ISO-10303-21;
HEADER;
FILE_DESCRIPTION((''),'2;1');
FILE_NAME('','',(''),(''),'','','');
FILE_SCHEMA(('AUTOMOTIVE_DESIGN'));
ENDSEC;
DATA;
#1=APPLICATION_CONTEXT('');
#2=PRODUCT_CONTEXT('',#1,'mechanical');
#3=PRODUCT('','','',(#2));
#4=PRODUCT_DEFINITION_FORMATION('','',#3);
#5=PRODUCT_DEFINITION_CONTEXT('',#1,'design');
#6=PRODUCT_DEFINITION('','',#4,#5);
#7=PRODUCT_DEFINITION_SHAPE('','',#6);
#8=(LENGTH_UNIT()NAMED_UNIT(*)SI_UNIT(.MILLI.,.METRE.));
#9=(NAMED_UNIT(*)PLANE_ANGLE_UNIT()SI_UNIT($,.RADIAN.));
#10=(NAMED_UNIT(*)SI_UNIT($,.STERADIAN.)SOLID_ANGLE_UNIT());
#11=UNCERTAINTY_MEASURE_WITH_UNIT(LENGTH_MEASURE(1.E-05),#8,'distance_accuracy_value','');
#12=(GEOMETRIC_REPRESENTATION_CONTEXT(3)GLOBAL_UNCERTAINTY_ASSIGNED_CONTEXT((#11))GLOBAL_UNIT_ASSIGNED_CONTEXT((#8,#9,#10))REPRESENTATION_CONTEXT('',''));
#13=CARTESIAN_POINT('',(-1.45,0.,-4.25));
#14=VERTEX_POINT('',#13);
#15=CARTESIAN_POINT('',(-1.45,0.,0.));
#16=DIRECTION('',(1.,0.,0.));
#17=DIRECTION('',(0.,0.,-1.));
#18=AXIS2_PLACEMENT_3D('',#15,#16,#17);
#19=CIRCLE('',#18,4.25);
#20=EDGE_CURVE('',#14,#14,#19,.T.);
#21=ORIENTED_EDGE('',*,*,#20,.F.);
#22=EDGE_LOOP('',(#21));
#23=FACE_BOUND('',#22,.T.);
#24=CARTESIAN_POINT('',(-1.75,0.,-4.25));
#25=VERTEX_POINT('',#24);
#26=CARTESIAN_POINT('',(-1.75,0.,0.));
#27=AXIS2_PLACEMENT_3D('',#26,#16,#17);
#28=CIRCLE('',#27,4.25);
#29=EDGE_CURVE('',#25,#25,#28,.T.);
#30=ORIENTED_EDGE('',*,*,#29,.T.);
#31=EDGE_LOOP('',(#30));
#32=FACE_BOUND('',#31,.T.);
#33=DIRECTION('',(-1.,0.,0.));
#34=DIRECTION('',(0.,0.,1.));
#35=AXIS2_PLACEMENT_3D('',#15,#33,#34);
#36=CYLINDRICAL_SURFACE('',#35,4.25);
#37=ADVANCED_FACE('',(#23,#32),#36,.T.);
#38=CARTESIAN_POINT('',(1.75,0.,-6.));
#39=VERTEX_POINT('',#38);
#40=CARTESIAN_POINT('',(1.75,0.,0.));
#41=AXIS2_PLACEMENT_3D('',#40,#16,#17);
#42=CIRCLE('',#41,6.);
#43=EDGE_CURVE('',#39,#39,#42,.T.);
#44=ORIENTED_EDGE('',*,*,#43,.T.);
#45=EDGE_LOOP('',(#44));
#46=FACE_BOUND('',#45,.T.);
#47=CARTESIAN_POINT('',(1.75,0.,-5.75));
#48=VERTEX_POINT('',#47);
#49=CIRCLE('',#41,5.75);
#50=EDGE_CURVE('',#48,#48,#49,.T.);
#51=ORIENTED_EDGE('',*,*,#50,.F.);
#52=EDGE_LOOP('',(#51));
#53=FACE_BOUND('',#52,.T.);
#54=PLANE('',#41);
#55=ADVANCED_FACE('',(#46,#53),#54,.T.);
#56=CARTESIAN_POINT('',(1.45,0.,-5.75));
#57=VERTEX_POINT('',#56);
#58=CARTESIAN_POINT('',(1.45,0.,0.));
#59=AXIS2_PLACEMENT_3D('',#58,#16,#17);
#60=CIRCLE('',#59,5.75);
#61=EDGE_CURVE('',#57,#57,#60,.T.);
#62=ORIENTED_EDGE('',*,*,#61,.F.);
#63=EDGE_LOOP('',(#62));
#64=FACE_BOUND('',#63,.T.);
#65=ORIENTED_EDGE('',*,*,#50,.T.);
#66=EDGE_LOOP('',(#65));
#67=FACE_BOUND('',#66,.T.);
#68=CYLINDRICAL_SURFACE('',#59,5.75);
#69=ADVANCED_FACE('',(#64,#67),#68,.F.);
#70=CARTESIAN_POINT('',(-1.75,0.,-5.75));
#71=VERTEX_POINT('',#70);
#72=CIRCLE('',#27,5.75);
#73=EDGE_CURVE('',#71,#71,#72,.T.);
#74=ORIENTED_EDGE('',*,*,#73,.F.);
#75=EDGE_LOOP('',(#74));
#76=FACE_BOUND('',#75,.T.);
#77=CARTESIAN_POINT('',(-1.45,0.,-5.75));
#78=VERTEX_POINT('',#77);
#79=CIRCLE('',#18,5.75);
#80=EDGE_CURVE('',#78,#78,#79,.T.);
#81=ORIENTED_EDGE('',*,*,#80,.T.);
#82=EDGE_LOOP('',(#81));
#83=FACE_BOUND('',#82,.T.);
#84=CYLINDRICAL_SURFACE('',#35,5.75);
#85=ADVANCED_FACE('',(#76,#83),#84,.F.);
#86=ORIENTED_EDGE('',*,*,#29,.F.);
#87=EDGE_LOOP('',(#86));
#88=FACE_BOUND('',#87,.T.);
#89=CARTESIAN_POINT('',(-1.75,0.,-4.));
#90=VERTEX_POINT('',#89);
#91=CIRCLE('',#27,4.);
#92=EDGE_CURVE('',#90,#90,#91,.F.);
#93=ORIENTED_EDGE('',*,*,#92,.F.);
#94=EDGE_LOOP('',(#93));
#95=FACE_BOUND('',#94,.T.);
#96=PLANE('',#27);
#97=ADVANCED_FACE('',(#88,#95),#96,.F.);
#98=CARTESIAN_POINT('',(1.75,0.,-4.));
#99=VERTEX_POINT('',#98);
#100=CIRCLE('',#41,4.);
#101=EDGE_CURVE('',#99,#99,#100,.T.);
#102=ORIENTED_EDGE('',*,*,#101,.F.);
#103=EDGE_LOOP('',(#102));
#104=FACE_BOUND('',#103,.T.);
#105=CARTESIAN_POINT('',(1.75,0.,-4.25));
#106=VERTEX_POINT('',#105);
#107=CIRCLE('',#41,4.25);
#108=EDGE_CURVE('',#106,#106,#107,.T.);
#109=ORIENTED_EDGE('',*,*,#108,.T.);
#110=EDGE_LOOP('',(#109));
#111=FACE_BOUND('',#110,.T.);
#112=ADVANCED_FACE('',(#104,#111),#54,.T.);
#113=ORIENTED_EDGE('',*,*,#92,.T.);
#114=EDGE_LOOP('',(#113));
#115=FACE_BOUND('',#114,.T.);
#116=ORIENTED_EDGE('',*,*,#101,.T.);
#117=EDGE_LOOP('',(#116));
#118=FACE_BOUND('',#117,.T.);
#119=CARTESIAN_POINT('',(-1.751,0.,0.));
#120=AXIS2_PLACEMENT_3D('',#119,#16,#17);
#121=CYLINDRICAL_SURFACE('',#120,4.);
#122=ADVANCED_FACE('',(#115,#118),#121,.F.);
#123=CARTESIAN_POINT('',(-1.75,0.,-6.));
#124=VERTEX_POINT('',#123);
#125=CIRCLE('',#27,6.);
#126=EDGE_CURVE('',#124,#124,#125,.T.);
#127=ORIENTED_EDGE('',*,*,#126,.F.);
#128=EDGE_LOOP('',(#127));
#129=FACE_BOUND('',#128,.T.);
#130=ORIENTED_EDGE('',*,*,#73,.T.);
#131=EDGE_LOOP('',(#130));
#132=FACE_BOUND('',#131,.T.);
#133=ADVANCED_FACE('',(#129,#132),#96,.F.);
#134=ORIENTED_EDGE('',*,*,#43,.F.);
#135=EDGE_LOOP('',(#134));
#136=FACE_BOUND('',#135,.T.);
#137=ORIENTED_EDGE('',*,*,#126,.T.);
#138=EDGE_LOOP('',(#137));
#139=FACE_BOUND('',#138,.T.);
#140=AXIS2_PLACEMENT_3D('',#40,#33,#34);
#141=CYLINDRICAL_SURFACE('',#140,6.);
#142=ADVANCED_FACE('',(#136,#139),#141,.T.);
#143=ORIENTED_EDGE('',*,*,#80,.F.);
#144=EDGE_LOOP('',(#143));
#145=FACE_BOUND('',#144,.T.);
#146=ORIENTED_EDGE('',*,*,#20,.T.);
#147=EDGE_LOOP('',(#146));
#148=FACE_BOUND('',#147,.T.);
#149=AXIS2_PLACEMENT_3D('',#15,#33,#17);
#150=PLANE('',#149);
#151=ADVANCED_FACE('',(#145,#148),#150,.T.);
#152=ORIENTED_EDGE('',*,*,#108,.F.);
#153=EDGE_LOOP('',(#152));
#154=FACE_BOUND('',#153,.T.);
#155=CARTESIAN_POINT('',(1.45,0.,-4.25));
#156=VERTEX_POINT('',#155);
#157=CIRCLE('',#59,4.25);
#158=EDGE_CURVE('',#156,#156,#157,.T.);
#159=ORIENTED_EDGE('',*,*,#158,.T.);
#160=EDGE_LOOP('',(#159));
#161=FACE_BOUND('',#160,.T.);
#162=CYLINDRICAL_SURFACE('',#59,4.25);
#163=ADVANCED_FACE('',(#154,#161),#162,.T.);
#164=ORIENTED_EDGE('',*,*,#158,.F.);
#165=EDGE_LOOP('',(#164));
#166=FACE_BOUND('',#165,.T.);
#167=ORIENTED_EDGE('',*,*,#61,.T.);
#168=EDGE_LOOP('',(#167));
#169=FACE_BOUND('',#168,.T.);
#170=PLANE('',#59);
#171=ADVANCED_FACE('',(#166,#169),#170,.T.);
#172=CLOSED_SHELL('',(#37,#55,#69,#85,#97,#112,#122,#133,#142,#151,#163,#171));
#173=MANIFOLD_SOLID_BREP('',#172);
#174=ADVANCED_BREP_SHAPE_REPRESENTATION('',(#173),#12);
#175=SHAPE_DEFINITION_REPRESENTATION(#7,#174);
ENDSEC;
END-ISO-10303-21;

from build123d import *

# Parameters (mm, degrees)
SKETCH1_R           = 6
BOSS_EXTRUDE1_DEPTH = 1.75
CUT_EXTRUDE1_REACH  = 11.179
SKETCH2_R           = 4
SKETCH3_R           = 5.75
SKETCH3_R_2         = 4.25
CUT_EXTRUDE2_DEPTH  = 0.3


with BuildPart() as part:
    # Sketch1 → Boss-Extrude1 (new, symmetric)
    with BuildSketch(Plane(origin=(0, 0, 0), x_dir=(0, 0, -1), z_dir=(1, 0, 0))):
        Circle(SKETCH1_R)
    extrude(amount=BOSS_EXTRUDE1_DEPTH, both=True)

    # Sketch2 → Cut-Extrude1 (cut, up to next)
    with BuildSketch(Plane(origin=(1.75, 0, 0), x_dir=(0, 0, -1), z_dir=(1, 0, 0)), mode=Mode.PRIVATE) as cut_extrude1_sk1:
        Circle(SKETCH2_R)
    cut_extrude1_tool1 = extrude(cut_extrude1_sk1.sketch, amount=-CUT_EXTRUDE1_REACH, mode=Mode.PRIVATE) & part.part
    add(cut_extrude1_tool1.solids().sort_by_distance((1.75, 0, 0))[0], mode=Mode.SUBTRACT)

    # Sketch3 → Cut-Extrude2 (cut)
    with BuildSketch(Plane(origin=(1.75, 0, 0), x_dir=(0, 0, -1), z_dir=(1, 0, 0))):
        Circle(SKETCH3_R)
        Circle(SKETCH3_R_2, mode=Mode.SUBTRACT)
    cut_extrude2 = extrude(amount=-CUT_EXTRUDE2_DEPTH, mode=Mode.SUBTRACT)

    # Mirror1: Cut-Extrude2 across plane
    add(cut_extrude2.mirror(Plane(origin=(0, 0, 0), x_dir=(0, 0, 1), z_dir=(1, 0, 0))), mode=Mode.SUBTRACT)


solid = part.part
